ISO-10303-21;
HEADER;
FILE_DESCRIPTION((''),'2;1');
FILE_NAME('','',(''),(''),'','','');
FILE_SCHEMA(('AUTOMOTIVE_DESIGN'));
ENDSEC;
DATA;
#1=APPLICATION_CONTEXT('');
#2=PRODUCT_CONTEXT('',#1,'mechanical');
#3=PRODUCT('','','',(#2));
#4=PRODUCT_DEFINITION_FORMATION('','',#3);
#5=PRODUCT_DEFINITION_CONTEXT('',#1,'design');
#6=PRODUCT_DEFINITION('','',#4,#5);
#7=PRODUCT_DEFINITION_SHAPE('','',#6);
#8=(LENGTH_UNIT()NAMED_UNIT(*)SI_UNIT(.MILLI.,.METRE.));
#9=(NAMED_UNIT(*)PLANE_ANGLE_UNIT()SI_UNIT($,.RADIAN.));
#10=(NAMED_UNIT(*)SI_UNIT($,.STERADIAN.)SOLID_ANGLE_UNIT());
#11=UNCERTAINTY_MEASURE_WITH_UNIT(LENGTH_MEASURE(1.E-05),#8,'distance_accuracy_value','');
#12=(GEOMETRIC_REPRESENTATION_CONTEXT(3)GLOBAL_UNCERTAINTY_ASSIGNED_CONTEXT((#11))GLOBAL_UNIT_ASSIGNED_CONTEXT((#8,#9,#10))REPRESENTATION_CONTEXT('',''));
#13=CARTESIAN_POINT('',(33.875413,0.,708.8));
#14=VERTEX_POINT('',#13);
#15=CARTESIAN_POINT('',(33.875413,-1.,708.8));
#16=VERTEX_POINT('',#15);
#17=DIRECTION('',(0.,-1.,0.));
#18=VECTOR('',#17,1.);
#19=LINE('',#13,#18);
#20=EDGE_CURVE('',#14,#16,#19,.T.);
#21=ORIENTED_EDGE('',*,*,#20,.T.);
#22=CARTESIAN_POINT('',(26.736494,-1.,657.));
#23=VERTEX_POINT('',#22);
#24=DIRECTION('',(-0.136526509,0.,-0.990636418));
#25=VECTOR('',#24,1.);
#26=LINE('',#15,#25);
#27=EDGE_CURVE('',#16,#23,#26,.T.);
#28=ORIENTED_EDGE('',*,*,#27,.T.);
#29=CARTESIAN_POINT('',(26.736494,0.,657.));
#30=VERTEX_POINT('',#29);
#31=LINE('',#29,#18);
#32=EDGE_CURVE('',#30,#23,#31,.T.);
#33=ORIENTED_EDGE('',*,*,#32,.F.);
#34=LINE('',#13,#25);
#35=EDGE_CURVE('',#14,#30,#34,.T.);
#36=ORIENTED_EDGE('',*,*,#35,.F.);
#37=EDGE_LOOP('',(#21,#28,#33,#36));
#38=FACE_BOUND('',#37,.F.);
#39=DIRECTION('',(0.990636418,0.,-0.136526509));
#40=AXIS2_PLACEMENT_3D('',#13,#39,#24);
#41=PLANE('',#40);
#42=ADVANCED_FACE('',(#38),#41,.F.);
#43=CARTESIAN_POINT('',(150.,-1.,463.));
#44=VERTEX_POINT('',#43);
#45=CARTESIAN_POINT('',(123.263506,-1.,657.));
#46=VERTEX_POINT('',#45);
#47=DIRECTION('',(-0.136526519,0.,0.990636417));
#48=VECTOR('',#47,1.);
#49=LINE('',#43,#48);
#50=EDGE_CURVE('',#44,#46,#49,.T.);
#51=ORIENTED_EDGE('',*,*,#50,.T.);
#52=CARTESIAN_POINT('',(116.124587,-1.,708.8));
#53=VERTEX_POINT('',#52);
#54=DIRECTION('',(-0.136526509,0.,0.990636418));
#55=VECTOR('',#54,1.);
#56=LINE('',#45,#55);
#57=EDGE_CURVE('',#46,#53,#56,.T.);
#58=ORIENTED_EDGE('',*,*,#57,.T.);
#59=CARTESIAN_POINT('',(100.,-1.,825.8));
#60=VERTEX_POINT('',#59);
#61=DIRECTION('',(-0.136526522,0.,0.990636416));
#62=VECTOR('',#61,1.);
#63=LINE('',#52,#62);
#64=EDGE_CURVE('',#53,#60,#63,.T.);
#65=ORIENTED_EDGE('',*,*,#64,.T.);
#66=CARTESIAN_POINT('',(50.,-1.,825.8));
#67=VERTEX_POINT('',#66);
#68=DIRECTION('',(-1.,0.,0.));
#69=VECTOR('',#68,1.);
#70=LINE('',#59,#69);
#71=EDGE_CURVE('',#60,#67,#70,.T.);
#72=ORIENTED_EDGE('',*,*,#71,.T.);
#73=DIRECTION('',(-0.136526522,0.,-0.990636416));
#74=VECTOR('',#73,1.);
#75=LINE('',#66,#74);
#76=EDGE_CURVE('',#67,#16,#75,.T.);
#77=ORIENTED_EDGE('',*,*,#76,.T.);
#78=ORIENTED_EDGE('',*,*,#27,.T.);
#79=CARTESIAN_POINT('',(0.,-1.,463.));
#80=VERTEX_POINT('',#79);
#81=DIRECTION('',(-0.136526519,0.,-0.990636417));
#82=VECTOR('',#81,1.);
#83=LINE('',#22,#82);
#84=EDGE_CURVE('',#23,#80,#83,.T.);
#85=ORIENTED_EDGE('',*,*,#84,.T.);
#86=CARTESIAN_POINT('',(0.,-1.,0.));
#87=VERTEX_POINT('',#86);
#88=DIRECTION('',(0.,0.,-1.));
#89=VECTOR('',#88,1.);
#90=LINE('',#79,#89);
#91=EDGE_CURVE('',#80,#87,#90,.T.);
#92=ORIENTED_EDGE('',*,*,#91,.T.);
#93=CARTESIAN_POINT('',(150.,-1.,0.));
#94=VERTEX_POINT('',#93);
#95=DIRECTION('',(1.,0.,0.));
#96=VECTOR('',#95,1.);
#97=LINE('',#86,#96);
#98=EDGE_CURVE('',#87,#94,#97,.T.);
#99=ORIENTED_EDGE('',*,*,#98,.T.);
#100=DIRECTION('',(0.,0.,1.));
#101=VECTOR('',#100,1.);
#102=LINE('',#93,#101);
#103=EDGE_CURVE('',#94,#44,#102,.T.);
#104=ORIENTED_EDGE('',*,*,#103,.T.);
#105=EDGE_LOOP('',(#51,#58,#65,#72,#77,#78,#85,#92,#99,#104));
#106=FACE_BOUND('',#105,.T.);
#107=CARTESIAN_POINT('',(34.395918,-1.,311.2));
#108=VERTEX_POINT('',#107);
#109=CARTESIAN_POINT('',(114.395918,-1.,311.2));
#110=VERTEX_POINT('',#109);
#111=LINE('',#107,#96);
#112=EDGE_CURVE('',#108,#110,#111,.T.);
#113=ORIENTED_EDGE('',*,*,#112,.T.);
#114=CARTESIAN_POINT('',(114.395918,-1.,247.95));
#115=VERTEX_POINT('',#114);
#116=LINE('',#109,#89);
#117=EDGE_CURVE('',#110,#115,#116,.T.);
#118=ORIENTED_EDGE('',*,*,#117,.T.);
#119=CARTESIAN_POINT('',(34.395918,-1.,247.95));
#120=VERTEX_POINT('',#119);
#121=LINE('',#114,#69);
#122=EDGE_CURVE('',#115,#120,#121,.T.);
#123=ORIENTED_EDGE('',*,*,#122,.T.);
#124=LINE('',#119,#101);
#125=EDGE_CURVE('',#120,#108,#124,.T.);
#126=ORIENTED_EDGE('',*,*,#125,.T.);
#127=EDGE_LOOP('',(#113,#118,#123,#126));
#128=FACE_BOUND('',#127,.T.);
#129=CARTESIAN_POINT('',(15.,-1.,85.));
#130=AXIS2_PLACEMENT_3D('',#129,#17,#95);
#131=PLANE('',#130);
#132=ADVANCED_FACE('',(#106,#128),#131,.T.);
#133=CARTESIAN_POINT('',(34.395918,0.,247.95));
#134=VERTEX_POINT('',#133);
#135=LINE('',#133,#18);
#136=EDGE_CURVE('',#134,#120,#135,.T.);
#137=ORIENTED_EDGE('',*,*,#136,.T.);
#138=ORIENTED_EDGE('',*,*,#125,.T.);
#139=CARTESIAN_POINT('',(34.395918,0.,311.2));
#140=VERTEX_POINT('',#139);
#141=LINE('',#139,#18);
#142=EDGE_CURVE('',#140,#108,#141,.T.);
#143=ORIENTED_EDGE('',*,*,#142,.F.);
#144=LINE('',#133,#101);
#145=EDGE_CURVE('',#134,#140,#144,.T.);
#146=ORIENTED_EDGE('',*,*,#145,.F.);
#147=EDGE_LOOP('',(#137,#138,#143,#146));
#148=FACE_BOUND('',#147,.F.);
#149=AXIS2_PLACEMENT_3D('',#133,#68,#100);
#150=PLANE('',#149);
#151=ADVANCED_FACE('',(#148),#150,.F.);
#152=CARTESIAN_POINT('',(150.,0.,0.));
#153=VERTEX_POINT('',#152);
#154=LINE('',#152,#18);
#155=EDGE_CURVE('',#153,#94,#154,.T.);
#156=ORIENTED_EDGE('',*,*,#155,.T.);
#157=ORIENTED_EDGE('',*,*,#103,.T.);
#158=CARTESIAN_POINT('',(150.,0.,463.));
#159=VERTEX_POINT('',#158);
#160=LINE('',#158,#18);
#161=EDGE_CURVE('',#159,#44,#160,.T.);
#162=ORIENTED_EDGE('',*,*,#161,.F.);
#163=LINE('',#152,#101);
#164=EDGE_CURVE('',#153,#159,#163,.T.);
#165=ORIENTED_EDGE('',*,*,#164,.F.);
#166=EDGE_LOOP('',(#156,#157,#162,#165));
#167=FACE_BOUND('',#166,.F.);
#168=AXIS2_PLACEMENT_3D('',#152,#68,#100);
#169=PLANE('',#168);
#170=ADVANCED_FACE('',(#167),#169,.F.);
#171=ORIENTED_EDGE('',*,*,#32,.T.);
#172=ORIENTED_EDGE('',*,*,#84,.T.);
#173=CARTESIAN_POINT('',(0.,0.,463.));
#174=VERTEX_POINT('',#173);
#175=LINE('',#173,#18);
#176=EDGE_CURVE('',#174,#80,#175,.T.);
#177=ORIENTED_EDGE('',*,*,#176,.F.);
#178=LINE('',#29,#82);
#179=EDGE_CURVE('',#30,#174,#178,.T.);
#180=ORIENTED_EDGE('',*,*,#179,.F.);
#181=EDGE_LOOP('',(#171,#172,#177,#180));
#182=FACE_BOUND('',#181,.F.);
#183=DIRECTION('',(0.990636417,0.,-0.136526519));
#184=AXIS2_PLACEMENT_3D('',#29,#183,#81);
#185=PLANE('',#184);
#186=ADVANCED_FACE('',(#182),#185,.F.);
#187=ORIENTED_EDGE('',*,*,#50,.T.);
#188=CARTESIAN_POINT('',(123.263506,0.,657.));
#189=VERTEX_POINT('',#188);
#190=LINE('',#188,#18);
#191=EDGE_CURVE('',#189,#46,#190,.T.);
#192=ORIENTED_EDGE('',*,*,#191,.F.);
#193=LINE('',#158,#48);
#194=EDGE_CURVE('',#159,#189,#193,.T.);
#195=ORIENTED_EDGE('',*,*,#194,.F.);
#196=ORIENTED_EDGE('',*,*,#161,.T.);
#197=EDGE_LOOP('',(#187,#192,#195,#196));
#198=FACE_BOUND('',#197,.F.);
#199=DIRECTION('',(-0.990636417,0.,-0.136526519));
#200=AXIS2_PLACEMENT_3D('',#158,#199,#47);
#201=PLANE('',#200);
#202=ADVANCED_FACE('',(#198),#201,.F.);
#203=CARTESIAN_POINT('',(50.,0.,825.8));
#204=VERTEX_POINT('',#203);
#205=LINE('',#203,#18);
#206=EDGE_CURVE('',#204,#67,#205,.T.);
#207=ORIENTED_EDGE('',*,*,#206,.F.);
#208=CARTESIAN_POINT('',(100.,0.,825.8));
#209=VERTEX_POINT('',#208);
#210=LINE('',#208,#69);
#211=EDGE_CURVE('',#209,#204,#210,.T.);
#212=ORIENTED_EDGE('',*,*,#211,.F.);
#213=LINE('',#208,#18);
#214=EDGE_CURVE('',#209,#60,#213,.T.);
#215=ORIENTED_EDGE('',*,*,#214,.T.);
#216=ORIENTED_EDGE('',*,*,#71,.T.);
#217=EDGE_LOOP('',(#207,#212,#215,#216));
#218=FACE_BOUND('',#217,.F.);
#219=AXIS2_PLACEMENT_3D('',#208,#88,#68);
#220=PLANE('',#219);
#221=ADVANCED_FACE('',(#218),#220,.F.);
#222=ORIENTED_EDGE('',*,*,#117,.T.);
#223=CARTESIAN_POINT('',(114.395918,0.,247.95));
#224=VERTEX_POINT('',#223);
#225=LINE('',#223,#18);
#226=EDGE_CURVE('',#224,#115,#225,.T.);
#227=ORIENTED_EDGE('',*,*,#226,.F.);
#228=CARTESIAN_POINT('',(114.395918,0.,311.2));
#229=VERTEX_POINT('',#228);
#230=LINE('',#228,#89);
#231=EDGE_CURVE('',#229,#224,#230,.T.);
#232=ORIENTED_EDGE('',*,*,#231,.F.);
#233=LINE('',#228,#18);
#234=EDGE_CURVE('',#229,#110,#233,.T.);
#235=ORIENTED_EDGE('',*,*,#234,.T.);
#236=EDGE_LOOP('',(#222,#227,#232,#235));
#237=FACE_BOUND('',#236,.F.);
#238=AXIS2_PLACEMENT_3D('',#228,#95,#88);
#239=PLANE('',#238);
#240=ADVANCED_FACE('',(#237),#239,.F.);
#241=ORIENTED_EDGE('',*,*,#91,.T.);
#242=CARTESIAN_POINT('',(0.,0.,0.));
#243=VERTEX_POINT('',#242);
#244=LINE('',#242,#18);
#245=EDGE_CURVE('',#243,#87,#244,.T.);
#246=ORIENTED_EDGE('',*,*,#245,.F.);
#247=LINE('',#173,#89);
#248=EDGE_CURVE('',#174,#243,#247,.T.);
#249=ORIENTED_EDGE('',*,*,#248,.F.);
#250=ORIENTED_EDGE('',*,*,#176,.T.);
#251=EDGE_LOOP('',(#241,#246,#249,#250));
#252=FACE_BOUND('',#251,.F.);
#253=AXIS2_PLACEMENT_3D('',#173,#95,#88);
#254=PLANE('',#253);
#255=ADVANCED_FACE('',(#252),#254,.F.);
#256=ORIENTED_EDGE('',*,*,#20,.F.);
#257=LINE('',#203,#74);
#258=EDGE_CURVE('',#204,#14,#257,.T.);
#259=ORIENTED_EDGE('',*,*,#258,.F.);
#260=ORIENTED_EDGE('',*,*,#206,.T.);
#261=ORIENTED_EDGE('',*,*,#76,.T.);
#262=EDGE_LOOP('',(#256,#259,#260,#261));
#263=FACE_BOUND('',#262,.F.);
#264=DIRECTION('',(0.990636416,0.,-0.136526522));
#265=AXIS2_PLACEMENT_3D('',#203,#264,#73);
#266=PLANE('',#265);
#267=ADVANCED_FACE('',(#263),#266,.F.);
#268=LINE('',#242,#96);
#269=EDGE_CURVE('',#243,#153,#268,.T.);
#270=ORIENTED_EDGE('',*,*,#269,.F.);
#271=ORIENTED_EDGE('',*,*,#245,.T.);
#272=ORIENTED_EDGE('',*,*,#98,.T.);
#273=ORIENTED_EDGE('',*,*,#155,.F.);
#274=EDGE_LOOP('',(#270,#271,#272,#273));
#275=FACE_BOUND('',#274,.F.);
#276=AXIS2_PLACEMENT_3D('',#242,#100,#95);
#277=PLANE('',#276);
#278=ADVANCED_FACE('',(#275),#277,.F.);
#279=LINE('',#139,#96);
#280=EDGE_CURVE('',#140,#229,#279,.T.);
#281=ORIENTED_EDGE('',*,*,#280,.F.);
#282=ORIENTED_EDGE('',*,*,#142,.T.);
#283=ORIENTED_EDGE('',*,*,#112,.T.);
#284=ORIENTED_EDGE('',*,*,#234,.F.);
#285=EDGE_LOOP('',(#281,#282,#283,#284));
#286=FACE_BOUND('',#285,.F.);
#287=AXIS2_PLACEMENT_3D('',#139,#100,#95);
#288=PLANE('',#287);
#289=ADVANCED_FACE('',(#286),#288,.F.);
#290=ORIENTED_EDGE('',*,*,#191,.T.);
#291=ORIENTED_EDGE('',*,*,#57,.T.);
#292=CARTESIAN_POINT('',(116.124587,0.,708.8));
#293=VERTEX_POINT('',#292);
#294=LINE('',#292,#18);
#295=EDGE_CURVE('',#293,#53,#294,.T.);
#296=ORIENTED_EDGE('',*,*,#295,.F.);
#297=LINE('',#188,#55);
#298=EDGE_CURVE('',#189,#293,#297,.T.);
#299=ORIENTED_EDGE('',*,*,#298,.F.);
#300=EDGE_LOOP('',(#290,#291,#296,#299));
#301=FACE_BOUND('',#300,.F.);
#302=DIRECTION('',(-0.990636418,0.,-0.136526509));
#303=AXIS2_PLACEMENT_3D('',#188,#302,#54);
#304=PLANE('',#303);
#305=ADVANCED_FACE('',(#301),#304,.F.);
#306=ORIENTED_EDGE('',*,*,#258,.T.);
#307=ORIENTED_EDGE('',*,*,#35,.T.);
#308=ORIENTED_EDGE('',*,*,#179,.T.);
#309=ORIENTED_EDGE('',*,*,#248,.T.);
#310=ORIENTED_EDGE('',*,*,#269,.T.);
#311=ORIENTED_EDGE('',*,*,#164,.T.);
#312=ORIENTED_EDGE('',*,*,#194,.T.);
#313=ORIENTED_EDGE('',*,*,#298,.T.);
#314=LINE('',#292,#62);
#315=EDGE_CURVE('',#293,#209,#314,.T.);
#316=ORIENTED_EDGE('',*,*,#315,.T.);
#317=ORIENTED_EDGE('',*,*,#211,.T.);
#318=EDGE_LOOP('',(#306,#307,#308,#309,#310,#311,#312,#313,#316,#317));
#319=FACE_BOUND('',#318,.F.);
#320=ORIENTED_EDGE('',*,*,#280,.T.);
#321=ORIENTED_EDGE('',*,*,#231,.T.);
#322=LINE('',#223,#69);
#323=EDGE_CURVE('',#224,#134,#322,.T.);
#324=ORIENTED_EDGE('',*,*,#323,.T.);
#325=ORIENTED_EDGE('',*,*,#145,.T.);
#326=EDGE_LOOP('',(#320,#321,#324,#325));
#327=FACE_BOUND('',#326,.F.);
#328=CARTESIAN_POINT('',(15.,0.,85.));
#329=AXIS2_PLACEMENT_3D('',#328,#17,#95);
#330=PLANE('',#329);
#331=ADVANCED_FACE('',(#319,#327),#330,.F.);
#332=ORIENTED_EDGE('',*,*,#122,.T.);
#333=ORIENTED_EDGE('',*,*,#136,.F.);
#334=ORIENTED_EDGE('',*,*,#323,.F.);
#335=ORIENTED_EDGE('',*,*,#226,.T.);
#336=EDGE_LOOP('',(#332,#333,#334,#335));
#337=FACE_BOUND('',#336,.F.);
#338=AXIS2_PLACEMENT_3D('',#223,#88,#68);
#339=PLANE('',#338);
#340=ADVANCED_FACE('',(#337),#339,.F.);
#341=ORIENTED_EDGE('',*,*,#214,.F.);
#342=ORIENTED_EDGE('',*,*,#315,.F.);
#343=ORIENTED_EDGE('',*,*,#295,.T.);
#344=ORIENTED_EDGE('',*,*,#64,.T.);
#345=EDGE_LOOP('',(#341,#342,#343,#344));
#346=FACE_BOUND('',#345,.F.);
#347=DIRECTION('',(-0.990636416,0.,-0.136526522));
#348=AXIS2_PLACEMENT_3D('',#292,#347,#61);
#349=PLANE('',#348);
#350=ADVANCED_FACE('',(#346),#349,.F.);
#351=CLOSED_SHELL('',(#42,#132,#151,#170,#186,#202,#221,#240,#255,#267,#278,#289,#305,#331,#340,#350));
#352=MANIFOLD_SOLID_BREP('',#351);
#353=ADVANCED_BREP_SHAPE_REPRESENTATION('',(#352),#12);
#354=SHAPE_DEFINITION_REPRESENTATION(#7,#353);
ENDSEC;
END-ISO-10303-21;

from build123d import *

# Parameters (mm, degrees)
F0_W     = 30
F0_H     = 170
F0_W_2   = 10
F0_W_3   = 70
F0_W_4   = 150
F0_H_2   = 10
F0_H_3   = 51.8
F1_DEPTH = 1


with BuildPart() as f1:
    # F0 (on Front) → F1 (new body)
    with BuildSketch(Plane.XZ):
        with Locations((15, 85)):
            Rectangle(F0_W, F0_H)
        with Locations((35, 85)):
            Rectangle(F0_W_2, F0_H)
        Polygon((0, 217.1), (0, 170), (30, 170), (40, 170), (110, 170), (120, 170), (150, 170), (150, 217.1), align=None)
        with Locations((75, 85)):
            Rectangle(F0_W_3, F0_H)
        with Locations((75, 222.1)):
            Rectangle(F0_W_4, F0_H_2)
        with Locations((115, 85)):
            Rectangle(F0_W_2, F0_H)
        Polygon((0, 274.2), (0, 227.1), (150, 227.1), (150, 274.2), (114.395918, 274.2), (114.395918, 247.95), (34.395918, 247.95), (34.395918, 274.2), align=None)
        with Locations((135, 85)):
            Rectangle(F0_W, F0_H)
        Polygon((0, 411.2), (0, 274.2), (34.395918, 274.2), (34.395918, 311.2), (114.395918, 311.2), (114.395918, 274.2), (150, 274.2), (150, 411.2), align=None)
        with Locations((75, 437.1)):
            Rectangle(F0_W_4, F0_H_3)
        Polygon((26.736494, 657), (0, 463), (150, 463), (123.263506, 657), align=None)
        Polygon((33.875413, 708.8), (26.736494, 657), (123.263506, 657), (116.124587, 708.8), align=None)
        Polygon((50, 825.8), (33.875413, 708.8), (116.124587, 708.8), (100, 825.8), (75, 825.8), align=None)
    extrude(amount=F1_DEPTH)


solid = f1.part
